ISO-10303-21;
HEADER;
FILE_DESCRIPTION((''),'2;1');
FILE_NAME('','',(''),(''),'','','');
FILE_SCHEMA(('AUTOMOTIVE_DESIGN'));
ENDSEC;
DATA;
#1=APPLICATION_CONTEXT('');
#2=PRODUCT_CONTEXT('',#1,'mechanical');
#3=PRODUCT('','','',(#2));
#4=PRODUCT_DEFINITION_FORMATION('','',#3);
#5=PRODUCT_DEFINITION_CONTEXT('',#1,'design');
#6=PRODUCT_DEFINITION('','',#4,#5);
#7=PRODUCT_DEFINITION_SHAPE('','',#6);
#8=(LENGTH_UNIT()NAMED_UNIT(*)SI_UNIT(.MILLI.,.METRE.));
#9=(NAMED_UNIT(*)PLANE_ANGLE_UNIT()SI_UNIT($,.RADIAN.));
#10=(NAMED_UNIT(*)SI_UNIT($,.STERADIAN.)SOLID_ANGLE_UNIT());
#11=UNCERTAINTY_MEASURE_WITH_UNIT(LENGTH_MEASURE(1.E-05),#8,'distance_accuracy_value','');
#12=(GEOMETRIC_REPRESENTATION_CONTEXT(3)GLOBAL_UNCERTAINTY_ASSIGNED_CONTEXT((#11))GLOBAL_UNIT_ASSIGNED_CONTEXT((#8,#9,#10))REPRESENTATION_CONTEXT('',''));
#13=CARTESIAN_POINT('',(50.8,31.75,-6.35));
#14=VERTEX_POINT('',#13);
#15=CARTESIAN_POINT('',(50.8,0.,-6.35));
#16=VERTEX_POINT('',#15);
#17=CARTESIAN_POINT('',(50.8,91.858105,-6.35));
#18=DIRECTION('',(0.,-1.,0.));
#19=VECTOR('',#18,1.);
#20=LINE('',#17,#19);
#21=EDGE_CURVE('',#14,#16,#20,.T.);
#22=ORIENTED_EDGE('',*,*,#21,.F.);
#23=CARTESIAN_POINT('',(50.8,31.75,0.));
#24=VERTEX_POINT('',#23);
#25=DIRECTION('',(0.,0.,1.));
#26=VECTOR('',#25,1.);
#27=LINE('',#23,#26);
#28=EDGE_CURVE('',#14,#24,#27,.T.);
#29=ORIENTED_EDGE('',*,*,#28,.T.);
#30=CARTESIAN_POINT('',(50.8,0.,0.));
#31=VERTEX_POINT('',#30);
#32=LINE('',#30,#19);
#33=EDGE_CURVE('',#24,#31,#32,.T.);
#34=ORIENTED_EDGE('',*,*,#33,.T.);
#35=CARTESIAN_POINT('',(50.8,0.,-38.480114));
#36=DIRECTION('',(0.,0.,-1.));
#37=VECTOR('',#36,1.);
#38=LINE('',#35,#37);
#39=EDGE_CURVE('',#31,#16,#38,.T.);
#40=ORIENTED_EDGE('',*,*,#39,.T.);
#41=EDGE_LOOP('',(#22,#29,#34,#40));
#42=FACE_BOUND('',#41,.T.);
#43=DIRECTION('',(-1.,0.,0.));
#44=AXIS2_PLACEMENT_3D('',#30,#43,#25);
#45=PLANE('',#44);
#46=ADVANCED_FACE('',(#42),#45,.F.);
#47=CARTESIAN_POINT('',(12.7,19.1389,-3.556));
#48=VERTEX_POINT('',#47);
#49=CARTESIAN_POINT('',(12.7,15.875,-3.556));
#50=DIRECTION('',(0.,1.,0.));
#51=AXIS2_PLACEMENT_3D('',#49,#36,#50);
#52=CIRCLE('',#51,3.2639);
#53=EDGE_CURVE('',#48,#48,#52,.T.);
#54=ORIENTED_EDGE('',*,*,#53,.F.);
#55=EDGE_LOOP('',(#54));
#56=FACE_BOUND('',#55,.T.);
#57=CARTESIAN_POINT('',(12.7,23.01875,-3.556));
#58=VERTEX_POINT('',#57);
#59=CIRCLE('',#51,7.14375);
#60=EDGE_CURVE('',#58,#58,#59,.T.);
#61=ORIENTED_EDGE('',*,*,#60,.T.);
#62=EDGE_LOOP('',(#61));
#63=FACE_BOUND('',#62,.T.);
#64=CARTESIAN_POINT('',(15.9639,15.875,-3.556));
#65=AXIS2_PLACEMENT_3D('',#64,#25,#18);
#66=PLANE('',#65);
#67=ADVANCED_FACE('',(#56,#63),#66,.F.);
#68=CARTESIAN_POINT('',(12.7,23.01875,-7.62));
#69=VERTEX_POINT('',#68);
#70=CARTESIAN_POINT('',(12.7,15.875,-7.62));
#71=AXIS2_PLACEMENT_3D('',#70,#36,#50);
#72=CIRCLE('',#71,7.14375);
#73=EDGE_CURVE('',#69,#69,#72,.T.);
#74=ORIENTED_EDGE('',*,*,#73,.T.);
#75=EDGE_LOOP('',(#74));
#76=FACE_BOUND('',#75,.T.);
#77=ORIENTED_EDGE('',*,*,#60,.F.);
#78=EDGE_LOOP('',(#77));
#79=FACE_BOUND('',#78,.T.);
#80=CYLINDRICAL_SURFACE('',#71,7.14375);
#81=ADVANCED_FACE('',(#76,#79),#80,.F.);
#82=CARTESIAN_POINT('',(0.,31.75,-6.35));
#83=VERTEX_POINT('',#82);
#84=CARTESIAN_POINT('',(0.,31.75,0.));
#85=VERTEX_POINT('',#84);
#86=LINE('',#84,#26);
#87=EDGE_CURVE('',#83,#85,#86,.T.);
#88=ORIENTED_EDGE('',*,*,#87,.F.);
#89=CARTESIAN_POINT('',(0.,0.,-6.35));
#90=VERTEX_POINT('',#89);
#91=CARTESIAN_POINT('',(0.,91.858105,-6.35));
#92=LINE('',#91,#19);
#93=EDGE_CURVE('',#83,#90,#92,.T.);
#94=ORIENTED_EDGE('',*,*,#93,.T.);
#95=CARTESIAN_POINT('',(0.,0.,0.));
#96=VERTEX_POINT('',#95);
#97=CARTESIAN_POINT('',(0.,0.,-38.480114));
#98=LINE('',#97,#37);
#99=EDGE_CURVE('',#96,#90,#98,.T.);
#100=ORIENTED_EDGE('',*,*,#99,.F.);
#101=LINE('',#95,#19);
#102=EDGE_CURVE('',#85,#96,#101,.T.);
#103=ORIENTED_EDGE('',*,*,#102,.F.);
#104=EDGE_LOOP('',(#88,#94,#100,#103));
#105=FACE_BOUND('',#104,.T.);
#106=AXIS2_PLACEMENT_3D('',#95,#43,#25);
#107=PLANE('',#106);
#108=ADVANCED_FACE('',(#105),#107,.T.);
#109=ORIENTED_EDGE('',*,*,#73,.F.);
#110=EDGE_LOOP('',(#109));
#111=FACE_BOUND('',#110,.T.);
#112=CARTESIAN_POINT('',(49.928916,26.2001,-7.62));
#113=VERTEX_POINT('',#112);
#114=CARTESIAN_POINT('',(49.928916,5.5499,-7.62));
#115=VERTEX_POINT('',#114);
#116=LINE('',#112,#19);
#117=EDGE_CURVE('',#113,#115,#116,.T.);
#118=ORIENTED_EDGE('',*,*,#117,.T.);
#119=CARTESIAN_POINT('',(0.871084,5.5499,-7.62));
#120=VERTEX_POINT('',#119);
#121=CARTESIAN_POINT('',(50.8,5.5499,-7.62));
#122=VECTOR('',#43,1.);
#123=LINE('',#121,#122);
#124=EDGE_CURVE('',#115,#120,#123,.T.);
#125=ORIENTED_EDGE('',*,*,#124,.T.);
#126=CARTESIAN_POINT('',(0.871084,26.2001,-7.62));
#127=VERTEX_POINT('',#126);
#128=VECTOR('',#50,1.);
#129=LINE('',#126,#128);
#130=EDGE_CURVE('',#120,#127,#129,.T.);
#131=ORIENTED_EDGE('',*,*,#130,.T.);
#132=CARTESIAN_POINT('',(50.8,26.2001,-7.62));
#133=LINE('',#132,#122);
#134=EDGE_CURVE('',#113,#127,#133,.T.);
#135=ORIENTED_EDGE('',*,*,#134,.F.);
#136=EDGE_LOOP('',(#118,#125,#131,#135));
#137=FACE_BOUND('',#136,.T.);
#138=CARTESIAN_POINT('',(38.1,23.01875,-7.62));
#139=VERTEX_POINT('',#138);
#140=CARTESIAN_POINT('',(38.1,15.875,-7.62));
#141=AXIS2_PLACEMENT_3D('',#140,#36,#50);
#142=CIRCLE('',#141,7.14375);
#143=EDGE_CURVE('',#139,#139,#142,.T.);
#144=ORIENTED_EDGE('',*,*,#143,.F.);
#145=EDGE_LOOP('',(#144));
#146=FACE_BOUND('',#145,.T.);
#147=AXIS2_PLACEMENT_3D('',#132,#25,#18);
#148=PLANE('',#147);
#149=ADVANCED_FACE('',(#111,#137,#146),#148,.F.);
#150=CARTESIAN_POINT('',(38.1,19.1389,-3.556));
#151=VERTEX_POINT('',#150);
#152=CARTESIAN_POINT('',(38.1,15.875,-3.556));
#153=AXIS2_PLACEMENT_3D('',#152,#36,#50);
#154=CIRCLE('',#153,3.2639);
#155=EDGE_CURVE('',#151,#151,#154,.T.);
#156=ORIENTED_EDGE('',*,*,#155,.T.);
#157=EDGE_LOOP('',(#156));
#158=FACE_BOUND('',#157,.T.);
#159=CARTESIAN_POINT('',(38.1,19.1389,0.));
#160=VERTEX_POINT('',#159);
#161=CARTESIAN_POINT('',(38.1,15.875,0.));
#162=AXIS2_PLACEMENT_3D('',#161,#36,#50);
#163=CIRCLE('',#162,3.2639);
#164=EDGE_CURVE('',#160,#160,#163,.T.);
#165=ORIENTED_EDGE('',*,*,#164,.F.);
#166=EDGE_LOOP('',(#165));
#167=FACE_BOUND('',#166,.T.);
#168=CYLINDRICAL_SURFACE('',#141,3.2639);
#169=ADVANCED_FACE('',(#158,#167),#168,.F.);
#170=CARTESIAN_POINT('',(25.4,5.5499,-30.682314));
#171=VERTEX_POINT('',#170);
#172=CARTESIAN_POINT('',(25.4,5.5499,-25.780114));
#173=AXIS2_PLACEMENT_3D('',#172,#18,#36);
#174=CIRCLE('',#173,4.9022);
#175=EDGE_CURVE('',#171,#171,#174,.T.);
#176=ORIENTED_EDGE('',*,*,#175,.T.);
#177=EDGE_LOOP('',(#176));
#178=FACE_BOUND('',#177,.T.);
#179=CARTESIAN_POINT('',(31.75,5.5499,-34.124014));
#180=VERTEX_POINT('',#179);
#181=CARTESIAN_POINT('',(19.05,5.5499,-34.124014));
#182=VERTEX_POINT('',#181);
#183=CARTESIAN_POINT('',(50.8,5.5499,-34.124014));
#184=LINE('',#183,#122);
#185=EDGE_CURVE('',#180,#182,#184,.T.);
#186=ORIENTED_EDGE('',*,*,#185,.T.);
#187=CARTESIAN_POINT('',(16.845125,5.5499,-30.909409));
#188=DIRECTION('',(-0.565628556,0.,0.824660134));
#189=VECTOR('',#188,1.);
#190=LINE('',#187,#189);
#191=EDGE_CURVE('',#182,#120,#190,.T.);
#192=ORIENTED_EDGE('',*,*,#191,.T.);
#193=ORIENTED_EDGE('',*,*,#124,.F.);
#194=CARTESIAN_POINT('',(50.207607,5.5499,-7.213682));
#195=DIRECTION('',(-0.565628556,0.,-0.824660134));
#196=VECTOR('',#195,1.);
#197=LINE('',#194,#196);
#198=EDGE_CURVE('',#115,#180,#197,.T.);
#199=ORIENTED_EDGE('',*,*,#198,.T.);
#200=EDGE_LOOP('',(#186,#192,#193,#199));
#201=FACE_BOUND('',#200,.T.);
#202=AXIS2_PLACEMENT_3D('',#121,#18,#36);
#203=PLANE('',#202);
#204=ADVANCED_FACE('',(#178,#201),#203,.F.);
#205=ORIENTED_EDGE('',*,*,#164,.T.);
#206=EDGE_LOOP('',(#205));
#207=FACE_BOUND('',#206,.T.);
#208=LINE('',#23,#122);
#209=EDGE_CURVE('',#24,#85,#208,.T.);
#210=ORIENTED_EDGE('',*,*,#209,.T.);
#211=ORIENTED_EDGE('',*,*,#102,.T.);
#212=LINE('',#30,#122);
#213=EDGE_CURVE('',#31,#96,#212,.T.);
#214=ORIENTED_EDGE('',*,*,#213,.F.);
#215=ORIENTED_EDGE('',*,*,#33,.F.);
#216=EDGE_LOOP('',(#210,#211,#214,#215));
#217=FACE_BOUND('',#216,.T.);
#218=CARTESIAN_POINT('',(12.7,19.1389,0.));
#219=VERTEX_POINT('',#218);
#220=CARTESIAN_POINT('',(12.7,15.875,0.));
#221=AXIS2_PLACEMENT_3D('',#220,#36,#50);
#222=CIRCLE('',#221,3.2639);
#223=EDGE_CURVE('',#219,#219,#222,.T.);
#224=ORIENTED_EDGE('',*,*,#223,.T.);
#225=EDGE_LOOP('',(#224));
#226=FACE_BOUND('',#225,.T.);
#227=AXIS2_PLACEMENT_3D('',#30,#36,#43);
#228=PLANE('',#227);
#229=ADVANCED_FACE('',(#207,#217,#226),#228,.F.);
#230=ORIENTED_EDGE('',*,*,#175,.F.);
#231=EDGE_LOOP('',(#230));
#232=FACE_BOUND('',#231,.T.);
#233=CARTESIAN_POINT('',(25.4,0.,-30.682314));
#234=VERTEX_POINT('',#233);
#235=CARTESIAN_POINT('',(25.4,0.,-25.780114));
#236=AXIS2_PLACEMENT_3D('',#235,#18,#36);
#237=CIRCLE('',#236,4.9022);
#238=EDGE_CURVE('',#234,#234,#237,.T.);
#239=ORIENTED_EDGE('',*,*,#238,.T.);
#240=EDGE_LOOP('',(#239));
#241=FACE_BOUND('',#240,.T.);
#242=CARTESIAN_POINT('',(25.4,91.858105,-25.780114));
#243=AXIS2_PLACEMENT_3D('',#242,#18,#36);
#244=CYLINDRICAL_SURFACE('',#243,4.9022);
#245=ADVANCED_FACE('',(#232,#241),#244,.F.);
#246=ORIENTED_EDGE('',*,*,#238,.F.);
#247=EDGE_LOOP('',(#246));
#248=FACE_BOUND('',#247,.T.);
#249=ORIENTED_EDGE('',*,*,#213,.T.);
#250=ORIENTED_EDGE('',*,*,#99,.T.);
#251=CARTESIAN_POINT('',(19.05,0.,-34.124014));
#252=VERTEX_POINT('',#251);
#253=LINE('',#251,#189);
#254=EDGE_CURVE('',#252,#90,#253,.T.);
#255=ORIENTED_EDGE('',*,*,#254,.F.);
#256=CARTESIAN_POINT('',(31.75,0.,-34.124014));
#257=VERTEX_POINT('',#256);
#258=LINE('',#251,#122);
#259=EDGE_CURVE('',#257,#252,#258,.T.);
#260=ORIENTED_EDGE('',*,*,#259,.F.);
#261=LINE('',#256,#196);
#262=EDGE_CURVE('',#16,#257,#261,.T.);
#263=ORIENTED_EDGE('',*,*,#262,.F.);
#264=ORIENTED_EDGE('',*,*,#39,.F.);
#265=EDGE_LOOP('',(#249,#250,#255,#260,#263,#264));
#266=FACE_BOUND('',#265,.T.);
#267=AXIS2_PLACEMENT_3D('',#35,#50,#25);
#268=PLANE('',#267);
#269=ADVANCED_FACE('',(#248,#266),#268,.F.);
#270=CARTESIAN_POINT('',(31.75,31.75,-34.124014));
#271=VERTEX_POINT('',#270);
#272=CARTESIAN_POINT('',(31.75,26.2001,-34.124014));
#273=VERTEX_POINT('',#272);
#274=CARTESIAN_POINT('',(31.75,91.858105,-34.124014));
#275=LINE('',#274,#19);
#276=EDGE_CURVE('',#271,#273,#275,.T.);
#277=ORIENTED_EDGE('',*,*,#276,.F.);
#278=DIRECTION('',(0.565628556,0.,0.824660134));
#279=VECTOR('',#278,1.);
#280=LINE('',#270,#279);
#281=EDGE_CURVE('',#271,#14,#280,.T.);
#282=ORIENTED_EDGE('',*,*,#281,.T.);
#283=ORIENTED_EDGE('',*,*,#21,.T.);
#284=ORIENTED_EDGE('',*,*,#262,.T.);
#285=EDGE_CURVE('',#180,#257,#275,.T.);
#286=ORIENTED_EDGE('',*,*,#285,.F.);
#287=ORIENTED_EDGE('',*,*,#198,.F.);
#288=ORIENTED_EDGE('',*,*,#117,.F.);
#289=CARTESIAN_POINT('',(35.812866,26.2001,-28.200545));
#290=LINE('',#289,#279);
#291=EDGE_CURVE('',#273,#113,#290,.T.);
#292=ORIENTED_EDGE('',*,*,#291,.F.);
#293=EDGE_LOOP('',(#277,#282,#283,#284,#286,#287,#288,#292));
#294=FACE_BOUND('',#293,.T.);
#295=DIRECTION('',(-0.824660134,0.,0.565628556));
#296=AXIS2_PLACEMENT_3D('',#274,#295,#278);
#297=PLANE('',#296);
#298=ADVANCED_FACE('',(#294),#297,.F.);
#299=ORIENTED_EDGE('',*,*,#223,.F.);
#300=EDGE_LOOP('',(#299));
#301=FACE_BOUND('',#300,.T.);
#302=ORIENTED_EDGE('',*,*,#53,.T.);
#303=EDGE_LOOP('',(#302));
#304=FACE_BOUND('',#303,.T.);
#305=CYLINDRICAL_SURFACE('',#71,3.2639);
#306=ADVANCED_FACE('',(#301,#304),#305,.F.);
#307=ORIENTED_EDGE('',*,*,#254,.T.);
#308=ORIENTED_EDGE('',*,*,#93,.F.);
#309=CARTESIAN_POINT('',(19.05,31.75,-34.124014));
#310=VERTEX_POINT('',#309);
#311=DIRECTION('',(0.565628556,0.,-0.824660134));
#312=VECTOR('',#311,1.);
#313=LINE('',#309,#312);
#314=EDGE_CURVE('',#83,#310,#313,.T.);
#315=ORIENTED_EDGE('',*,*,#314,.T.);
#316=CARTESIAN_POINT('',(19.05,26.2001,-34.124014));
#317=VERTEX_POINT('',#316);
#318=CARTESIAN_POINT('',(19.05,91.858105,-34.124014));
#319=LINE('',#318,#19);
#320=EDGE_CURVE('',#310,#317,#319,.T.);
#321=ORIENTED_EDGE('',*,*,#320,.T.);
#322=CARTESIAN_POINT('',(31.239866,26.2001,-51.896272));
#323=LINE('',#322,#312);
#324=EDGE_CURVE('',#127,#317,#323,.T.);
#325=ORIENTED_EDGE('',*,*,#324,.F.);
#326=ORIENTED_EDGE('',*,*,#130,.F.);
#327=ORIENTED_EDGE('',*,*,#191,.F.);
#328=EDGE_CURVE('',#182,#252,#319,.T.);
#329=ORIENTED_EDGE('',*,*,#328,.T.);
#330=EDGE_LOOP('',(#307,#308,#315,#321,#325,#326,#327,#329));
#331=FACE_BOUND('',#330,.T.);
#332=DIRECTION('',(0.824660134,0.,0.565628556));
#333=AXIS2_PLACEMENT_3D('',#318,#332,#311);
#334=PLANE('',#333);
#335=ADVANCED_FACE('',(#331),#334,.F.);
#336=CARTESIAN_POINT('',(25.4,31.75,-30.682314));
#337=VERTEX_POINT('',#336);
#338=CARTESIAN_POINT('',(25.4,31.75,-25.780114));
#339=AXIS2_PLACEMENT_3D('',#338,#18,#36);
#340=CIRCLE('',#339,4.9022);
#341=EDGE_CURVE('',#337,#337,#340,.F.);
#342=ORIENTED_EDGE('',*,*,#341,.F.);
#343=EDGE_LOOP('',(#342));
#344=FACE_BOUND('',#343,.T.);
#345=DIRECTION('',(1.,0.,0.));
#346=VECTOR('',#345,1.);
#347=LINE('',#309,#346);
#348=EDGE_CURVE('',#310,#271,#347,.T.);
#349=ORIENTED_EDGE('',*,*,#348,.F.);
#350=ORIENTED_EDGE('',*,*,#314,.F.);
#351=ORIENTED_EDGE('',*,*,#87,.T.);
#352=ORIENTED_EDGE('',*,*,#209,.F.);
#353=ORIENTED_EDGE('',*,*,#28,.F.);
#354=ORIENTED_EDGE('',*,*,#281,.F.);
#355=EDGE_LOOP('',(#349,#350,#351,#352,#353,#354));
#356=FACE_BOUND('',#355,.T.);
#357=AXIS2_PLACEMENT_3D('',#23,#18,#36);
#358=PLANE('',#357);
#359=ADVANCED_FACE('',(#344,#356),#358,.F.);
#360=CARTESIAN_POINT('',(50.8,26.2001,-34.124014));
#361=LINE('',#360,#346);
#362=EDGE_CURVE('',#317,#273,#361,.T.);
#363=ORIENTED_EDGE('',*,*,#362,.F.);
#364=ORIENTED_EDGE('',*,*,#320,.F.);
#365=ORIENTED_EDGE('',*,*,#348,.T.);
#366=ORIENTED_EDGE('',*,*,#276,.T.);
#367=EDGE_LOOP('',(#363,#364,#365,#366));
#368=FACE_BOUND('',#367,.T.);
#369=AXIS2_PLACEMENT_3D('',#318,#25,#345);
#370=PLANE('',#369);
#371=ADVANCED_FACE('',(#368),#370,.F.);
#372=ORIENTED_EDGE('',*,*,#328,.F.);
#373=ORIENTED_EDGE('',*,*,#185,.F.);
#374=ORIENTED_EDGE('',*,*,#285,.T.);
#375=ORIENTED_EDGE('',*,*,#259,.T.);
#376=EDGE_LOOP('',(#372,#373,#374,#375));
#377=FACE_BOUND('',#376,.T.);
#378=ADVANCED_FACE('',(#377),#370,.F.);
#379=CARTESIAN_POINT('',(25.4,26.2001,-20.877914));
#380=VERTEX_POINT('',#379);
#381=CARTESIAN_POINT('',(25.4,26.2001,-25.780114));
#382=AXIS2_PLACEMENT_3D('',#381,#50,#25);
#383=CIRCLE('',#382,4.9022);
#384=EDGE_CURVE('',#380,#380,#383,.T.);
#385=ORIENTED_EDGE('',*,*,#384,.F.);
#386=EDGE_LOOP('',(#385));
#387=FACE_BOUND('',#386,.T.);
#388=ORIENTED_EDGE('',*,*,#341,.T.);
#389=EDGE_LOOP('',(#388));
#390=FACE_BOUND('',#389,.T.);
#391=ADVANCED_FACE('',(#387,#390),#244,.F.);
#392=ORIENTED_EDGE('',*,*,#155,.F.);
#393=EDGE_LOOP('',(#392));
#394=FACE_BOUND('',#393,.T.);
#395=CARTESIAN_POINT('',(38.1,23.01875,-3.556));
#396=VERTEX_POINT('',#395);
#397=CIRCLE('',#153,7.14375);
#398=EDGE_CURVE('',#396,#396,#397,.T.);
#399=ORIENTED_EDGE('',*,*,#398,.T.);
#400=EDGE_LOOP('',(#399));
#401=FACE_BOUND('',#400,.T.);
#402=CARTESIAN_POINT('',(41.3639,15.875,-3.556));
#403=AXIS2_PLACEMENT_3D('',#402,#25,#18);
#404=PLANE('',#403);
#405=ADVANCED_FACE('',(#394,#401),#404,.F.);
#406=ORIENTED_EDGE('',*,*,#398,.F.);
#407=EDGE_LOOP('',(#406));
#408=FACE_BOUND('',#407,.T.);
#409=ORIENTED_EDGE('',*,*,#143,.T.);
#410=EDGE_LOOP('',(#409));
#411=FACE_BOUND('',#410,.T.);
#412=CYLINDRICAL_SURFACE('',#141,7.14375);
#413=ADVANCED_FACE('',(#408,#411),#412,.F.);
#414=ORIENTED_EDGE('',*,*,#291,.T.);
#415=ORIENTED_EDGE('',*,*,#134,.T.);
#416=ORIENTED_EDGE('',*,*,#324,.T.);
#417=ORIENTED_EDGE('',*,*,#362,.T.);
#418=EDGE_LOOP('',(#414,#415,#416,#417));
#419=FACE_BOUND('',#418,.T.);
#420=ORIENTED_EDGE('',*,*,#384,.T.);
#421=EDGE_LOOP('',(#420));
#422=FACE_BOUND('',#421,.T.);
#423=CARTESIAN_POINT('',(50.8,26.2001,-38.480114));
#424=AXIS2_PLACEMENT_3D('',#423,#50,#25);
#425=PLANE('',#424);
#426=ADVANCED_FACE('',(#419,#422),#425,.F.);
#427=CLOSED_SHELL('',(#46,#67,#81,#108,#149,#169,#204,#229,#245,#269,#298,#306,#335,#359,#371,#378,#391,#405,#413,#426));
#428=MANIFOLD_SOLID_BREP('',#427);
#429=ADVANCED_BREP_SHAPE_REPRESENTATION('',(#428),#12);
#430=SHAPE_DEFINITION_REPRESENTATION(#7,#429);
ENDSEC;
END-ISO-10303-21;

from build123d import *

# Parameters (mm, degrees)
BOSS_EXTRUDE1_DEPTH                                  = 50.8
CBORE_FOR_1_4_BINDING_HEAD_MACHINE_SCREW_D           = 6.5278
CBORE_FOR_1_4_BINDING_HEAD_MACHINE_SCREW_CBORE_D     = 14.2875
CBORE_FOR_1_4_BINDING_HEAD_MACHINE_SCREW_CBORE_DEPTH = 4.064
CUT_EXTRUDE1_REACH                                   = 73.2
SKETCH4_R                                            = 4.9022


with BuildPart() as part:
    # Sketch1 → Boss-Extrude1 (new body)
    with BuildSketch(Plane(origin=(0, 0, 0), x_dir=(0, 0, -1), z_dir=(1, 0, 0))):
        Polygon((0, 0), (0, 31.75), (38.480114202, 31.75), (38.480114202, 26.2001), (7.62, 26.2001), (7.62, 5.5499), (38.480114202, 5.5499), (38.480114202, 0), align=None)
    extrude(amount=BOSS_EXTRUDE1_DEPTH)

    # CBORE for 1/4 Binding Head Machine Screw1 (through all)
    with Locations(Plane(origin=(0, 0, -7.62), x_dir=(-1, 0, 0), z_dir=(0, 0, -1))):
        with Locations((-12.7, 15.875), (-38.1, 15.875)):
            CounterBoreHole(CBORE_FOR_1_4_BINDING_HEAD_MACHINE_SCREW_D / 2, CBORE_FOR_1_4_BINDING_HEAD_MACHINE_SCREW_CBORE_D / 2, CBORE_FOR_1_4_BINDING_HEAD_MACHINE_SCREW_CBORE_DEPTH)

    # Cut-Extrude1: up to this face of the body (flat: up to its plane)
    cut_extrude1_end = Plane(part.part.faces().sort_by_distance((25.4, 31.75, -19.240057101))[0])
    # Sketch4 → Cut-Extrude1 (cut, up to the picked face)
    with BuildSketch(Plane.XZ, mode=Mode.PRIVATE) as cut_extrude1_sk1:
        with Locations(Location((25.4, -25.780114202, 0), (0, 0, 270))):
            Circle(SKETCH4_R)
    cut_extrude1_tool1 = split(extrude(cut_extrude1_sk1.sketch, amount=-CUT_EXTRUDE1_REACH, mode=Mode.PRIVATE), bisect_by=cut_extrude1_end, keep=Keep.BOTH, mode=Mode.PRIVATE)
    # Sketch4 → Cut-Extrude1 (cut, up to the picked face)
    with BuildSketch(Plane.XZ, mode=Mode.PRIVATE) as cut_extrude1_sk2:
        Polygon((19.05, -34.124014202), (0, -6.35), (0, -38.480114202), (50.8, -38.480114202), (50.8, -6.35), (31.75, -34.124014202), align=None)
    cut_extrude1_tool2 = split(extrude(cut_extrude1_sk2.sketch, amount=-CUT_EXTRUDE1_REACH, mode=Mode.PRIVATE), bisect_by=cut_extrude1_end, keep=Keep.BOTH, mode=Mode.PRIVATE)
    add(cut_extrude1_tool1.solids().sort_by(Axis((25.4, 0, -25.780114), (0, 1, 0)))[0], mode=Mode.SUBTRACT)
    add(cut_extrude1_tool2.solids().sort_by(Axis((9.029312, 0, -20.576996), (0, 1, 0)))[0], mode=Mode.SUBTRACT)


solid = part.part
